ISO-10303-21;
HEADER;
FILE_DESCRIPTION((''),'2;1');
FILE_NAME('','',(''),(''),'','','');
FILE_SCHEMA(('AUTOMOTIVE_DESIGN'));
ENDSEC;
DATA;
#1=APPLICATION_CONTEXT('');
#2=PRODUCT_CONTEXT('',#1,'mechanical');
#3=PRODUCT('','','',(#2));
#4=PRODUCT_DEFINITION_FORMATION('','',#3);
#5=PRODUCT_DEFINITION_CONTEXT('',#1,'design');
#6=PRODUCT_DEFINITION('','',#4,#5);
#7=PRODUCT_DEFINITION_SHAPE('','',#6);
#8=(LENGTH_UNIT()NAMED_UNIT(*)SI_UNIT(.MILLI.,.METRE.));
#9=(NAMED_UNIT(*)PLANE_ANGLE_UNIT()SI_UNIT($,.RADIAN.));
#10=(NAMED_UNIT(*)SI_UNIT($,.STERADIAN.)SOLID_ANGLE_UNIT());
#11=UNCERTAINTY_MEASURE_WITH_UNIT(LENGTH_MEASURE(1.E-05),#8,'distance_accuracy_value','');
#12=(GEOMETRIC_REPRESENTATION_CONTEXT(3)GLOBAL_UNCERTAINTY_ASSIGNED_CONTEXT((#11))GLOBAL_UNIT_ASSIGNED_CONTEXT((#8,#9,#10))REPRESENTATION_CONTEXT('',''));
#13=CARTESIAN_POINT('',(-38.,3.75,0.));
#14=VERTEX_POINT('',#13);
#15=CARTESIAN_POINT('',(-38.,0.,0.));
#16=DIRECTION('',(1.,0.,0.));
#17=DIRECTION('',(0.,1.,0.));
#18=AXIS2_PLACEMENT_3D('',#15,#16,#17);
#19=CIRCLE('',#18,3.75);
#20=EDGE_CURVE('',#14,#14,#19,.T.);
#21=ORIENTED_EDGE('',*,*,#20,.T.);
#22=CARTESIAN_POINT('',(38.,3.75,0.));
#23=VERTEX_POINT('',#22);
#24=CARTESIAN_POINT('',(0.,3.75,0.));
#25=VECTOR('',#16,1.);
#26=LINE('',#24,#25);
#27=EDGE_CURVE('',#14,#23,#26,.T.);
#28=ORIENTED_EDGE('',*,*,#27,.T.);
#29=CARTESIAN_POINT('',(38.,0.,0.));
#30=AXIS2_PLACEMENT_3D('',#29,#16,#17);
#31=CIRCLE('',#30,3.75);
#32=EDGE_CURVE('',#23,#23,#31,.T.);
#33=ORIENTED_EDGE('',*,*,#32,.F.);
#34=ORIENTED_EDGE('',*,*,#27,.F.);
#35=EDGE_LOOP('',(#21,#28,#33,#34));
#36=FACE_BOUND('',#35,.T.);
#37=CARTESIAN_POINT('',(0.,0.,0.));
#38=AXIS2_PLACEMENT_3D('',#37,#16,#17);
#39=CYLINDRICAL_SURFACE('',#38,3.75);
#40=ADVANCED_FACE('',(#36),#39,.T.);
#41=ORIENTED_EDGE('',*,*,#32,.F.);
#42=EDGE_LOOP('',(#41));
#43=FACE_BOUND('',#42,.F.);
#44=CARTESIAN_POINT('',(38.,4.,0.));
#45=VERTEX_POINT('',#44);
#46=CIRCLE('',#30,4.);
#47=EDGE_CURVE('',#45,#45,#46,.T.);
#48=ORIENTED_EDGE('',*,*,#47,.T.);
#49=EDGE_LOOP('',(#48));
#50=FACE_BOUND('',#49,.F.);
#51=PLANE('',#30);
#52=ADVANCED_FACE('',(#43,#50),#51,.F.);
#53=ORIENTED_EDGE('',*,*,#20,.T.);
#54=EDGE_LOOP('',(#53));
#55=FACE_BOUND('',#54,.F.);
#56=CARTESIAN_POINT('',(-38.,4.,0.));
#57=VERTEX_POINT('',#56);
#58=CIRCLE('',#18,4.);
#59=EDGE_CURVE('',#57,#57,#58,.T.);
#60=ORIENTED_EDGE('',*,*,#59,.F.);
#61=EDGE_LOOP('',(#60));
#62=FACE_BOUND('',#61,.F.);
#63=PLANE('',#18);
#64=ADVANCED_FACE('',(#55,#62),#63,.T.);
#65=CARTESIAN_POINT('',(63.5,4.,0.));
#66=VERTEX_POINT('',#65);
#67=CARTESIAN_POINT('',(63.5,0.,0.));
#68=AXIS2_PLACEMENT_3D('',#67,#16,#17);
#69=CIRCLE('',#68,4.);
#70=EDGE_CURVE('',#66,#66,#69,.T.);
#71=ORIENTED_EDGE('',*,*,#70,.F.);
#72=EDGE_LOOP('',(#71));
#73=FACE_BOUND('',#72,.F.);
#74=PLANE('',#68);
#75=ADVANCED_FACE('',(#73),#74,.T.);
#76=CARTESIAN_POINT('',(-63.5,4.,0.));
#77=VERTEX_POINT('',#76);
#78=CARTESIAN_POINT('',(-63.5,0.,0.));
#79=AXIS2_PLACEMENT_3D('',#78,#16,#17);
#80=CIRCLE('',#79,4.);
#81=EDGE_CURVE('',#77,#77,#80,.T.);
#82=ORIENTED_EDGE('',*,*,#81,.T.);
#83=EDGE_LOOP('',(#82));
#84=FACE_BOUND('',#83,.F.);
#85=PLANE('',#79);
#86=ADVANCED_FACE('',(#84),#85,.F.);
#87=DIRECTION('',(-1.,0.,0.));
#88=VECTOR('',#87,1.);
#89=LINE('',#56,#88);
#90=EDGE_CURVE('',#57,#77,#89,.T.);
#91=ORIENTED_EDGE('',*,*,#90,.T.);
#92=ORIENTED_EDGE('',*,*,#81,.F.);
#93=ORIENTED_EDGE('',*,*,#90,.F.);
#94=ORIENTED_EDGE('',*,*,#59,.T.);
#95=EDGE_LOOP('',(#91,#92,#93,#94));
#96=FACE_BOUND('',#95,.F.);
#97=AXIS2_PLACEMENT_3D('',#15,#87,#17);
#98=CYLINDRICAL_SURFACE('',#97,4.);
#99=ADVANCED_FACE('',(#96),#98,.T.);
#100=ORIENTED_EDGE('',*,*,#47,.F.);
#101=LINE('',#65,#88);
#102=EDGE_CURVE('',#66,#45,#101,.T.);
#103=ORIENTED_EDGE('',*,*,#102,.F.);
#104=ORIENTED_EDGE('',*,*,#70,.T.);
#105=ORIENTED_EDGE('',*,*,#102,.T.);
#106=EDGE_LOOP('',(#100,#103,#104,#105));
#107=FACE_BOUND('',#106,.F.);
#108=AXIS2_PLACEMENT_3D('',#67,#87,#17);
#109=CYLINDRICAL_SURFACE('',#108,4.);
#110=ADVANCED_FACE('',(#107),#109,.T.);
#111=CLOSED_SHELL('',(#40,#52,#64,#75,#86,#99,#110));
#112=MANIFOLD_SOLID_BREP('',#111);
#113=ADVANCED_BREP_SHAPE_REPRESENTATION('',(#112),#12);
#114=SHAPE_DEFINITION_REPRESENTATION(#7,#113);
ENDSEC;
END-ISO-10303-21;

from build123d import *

# Parameters (mm, degrees)
F0_W = 76
F0_H = 3.75


with BuildPart() as f1:
    # F0 (on Top) → F1 (revolve)
    with BuildSketch(Plane.XY):
        Polygon((-63.5, 0), (-38, 0), (-38, 3.75), (-38, 4), (-63.5, 4), align=None)
        with Locations((0, 1.875)):
            Rectangle(F0_W, F0_H)
        Polygon((38, 0), (63.5, 0), (63.5, 4), (38, 4), (38, 3.75), align=None)
    revolve(axis=Axis((0, 0, 0), (1, 0, 0)))


solid = f1.part
